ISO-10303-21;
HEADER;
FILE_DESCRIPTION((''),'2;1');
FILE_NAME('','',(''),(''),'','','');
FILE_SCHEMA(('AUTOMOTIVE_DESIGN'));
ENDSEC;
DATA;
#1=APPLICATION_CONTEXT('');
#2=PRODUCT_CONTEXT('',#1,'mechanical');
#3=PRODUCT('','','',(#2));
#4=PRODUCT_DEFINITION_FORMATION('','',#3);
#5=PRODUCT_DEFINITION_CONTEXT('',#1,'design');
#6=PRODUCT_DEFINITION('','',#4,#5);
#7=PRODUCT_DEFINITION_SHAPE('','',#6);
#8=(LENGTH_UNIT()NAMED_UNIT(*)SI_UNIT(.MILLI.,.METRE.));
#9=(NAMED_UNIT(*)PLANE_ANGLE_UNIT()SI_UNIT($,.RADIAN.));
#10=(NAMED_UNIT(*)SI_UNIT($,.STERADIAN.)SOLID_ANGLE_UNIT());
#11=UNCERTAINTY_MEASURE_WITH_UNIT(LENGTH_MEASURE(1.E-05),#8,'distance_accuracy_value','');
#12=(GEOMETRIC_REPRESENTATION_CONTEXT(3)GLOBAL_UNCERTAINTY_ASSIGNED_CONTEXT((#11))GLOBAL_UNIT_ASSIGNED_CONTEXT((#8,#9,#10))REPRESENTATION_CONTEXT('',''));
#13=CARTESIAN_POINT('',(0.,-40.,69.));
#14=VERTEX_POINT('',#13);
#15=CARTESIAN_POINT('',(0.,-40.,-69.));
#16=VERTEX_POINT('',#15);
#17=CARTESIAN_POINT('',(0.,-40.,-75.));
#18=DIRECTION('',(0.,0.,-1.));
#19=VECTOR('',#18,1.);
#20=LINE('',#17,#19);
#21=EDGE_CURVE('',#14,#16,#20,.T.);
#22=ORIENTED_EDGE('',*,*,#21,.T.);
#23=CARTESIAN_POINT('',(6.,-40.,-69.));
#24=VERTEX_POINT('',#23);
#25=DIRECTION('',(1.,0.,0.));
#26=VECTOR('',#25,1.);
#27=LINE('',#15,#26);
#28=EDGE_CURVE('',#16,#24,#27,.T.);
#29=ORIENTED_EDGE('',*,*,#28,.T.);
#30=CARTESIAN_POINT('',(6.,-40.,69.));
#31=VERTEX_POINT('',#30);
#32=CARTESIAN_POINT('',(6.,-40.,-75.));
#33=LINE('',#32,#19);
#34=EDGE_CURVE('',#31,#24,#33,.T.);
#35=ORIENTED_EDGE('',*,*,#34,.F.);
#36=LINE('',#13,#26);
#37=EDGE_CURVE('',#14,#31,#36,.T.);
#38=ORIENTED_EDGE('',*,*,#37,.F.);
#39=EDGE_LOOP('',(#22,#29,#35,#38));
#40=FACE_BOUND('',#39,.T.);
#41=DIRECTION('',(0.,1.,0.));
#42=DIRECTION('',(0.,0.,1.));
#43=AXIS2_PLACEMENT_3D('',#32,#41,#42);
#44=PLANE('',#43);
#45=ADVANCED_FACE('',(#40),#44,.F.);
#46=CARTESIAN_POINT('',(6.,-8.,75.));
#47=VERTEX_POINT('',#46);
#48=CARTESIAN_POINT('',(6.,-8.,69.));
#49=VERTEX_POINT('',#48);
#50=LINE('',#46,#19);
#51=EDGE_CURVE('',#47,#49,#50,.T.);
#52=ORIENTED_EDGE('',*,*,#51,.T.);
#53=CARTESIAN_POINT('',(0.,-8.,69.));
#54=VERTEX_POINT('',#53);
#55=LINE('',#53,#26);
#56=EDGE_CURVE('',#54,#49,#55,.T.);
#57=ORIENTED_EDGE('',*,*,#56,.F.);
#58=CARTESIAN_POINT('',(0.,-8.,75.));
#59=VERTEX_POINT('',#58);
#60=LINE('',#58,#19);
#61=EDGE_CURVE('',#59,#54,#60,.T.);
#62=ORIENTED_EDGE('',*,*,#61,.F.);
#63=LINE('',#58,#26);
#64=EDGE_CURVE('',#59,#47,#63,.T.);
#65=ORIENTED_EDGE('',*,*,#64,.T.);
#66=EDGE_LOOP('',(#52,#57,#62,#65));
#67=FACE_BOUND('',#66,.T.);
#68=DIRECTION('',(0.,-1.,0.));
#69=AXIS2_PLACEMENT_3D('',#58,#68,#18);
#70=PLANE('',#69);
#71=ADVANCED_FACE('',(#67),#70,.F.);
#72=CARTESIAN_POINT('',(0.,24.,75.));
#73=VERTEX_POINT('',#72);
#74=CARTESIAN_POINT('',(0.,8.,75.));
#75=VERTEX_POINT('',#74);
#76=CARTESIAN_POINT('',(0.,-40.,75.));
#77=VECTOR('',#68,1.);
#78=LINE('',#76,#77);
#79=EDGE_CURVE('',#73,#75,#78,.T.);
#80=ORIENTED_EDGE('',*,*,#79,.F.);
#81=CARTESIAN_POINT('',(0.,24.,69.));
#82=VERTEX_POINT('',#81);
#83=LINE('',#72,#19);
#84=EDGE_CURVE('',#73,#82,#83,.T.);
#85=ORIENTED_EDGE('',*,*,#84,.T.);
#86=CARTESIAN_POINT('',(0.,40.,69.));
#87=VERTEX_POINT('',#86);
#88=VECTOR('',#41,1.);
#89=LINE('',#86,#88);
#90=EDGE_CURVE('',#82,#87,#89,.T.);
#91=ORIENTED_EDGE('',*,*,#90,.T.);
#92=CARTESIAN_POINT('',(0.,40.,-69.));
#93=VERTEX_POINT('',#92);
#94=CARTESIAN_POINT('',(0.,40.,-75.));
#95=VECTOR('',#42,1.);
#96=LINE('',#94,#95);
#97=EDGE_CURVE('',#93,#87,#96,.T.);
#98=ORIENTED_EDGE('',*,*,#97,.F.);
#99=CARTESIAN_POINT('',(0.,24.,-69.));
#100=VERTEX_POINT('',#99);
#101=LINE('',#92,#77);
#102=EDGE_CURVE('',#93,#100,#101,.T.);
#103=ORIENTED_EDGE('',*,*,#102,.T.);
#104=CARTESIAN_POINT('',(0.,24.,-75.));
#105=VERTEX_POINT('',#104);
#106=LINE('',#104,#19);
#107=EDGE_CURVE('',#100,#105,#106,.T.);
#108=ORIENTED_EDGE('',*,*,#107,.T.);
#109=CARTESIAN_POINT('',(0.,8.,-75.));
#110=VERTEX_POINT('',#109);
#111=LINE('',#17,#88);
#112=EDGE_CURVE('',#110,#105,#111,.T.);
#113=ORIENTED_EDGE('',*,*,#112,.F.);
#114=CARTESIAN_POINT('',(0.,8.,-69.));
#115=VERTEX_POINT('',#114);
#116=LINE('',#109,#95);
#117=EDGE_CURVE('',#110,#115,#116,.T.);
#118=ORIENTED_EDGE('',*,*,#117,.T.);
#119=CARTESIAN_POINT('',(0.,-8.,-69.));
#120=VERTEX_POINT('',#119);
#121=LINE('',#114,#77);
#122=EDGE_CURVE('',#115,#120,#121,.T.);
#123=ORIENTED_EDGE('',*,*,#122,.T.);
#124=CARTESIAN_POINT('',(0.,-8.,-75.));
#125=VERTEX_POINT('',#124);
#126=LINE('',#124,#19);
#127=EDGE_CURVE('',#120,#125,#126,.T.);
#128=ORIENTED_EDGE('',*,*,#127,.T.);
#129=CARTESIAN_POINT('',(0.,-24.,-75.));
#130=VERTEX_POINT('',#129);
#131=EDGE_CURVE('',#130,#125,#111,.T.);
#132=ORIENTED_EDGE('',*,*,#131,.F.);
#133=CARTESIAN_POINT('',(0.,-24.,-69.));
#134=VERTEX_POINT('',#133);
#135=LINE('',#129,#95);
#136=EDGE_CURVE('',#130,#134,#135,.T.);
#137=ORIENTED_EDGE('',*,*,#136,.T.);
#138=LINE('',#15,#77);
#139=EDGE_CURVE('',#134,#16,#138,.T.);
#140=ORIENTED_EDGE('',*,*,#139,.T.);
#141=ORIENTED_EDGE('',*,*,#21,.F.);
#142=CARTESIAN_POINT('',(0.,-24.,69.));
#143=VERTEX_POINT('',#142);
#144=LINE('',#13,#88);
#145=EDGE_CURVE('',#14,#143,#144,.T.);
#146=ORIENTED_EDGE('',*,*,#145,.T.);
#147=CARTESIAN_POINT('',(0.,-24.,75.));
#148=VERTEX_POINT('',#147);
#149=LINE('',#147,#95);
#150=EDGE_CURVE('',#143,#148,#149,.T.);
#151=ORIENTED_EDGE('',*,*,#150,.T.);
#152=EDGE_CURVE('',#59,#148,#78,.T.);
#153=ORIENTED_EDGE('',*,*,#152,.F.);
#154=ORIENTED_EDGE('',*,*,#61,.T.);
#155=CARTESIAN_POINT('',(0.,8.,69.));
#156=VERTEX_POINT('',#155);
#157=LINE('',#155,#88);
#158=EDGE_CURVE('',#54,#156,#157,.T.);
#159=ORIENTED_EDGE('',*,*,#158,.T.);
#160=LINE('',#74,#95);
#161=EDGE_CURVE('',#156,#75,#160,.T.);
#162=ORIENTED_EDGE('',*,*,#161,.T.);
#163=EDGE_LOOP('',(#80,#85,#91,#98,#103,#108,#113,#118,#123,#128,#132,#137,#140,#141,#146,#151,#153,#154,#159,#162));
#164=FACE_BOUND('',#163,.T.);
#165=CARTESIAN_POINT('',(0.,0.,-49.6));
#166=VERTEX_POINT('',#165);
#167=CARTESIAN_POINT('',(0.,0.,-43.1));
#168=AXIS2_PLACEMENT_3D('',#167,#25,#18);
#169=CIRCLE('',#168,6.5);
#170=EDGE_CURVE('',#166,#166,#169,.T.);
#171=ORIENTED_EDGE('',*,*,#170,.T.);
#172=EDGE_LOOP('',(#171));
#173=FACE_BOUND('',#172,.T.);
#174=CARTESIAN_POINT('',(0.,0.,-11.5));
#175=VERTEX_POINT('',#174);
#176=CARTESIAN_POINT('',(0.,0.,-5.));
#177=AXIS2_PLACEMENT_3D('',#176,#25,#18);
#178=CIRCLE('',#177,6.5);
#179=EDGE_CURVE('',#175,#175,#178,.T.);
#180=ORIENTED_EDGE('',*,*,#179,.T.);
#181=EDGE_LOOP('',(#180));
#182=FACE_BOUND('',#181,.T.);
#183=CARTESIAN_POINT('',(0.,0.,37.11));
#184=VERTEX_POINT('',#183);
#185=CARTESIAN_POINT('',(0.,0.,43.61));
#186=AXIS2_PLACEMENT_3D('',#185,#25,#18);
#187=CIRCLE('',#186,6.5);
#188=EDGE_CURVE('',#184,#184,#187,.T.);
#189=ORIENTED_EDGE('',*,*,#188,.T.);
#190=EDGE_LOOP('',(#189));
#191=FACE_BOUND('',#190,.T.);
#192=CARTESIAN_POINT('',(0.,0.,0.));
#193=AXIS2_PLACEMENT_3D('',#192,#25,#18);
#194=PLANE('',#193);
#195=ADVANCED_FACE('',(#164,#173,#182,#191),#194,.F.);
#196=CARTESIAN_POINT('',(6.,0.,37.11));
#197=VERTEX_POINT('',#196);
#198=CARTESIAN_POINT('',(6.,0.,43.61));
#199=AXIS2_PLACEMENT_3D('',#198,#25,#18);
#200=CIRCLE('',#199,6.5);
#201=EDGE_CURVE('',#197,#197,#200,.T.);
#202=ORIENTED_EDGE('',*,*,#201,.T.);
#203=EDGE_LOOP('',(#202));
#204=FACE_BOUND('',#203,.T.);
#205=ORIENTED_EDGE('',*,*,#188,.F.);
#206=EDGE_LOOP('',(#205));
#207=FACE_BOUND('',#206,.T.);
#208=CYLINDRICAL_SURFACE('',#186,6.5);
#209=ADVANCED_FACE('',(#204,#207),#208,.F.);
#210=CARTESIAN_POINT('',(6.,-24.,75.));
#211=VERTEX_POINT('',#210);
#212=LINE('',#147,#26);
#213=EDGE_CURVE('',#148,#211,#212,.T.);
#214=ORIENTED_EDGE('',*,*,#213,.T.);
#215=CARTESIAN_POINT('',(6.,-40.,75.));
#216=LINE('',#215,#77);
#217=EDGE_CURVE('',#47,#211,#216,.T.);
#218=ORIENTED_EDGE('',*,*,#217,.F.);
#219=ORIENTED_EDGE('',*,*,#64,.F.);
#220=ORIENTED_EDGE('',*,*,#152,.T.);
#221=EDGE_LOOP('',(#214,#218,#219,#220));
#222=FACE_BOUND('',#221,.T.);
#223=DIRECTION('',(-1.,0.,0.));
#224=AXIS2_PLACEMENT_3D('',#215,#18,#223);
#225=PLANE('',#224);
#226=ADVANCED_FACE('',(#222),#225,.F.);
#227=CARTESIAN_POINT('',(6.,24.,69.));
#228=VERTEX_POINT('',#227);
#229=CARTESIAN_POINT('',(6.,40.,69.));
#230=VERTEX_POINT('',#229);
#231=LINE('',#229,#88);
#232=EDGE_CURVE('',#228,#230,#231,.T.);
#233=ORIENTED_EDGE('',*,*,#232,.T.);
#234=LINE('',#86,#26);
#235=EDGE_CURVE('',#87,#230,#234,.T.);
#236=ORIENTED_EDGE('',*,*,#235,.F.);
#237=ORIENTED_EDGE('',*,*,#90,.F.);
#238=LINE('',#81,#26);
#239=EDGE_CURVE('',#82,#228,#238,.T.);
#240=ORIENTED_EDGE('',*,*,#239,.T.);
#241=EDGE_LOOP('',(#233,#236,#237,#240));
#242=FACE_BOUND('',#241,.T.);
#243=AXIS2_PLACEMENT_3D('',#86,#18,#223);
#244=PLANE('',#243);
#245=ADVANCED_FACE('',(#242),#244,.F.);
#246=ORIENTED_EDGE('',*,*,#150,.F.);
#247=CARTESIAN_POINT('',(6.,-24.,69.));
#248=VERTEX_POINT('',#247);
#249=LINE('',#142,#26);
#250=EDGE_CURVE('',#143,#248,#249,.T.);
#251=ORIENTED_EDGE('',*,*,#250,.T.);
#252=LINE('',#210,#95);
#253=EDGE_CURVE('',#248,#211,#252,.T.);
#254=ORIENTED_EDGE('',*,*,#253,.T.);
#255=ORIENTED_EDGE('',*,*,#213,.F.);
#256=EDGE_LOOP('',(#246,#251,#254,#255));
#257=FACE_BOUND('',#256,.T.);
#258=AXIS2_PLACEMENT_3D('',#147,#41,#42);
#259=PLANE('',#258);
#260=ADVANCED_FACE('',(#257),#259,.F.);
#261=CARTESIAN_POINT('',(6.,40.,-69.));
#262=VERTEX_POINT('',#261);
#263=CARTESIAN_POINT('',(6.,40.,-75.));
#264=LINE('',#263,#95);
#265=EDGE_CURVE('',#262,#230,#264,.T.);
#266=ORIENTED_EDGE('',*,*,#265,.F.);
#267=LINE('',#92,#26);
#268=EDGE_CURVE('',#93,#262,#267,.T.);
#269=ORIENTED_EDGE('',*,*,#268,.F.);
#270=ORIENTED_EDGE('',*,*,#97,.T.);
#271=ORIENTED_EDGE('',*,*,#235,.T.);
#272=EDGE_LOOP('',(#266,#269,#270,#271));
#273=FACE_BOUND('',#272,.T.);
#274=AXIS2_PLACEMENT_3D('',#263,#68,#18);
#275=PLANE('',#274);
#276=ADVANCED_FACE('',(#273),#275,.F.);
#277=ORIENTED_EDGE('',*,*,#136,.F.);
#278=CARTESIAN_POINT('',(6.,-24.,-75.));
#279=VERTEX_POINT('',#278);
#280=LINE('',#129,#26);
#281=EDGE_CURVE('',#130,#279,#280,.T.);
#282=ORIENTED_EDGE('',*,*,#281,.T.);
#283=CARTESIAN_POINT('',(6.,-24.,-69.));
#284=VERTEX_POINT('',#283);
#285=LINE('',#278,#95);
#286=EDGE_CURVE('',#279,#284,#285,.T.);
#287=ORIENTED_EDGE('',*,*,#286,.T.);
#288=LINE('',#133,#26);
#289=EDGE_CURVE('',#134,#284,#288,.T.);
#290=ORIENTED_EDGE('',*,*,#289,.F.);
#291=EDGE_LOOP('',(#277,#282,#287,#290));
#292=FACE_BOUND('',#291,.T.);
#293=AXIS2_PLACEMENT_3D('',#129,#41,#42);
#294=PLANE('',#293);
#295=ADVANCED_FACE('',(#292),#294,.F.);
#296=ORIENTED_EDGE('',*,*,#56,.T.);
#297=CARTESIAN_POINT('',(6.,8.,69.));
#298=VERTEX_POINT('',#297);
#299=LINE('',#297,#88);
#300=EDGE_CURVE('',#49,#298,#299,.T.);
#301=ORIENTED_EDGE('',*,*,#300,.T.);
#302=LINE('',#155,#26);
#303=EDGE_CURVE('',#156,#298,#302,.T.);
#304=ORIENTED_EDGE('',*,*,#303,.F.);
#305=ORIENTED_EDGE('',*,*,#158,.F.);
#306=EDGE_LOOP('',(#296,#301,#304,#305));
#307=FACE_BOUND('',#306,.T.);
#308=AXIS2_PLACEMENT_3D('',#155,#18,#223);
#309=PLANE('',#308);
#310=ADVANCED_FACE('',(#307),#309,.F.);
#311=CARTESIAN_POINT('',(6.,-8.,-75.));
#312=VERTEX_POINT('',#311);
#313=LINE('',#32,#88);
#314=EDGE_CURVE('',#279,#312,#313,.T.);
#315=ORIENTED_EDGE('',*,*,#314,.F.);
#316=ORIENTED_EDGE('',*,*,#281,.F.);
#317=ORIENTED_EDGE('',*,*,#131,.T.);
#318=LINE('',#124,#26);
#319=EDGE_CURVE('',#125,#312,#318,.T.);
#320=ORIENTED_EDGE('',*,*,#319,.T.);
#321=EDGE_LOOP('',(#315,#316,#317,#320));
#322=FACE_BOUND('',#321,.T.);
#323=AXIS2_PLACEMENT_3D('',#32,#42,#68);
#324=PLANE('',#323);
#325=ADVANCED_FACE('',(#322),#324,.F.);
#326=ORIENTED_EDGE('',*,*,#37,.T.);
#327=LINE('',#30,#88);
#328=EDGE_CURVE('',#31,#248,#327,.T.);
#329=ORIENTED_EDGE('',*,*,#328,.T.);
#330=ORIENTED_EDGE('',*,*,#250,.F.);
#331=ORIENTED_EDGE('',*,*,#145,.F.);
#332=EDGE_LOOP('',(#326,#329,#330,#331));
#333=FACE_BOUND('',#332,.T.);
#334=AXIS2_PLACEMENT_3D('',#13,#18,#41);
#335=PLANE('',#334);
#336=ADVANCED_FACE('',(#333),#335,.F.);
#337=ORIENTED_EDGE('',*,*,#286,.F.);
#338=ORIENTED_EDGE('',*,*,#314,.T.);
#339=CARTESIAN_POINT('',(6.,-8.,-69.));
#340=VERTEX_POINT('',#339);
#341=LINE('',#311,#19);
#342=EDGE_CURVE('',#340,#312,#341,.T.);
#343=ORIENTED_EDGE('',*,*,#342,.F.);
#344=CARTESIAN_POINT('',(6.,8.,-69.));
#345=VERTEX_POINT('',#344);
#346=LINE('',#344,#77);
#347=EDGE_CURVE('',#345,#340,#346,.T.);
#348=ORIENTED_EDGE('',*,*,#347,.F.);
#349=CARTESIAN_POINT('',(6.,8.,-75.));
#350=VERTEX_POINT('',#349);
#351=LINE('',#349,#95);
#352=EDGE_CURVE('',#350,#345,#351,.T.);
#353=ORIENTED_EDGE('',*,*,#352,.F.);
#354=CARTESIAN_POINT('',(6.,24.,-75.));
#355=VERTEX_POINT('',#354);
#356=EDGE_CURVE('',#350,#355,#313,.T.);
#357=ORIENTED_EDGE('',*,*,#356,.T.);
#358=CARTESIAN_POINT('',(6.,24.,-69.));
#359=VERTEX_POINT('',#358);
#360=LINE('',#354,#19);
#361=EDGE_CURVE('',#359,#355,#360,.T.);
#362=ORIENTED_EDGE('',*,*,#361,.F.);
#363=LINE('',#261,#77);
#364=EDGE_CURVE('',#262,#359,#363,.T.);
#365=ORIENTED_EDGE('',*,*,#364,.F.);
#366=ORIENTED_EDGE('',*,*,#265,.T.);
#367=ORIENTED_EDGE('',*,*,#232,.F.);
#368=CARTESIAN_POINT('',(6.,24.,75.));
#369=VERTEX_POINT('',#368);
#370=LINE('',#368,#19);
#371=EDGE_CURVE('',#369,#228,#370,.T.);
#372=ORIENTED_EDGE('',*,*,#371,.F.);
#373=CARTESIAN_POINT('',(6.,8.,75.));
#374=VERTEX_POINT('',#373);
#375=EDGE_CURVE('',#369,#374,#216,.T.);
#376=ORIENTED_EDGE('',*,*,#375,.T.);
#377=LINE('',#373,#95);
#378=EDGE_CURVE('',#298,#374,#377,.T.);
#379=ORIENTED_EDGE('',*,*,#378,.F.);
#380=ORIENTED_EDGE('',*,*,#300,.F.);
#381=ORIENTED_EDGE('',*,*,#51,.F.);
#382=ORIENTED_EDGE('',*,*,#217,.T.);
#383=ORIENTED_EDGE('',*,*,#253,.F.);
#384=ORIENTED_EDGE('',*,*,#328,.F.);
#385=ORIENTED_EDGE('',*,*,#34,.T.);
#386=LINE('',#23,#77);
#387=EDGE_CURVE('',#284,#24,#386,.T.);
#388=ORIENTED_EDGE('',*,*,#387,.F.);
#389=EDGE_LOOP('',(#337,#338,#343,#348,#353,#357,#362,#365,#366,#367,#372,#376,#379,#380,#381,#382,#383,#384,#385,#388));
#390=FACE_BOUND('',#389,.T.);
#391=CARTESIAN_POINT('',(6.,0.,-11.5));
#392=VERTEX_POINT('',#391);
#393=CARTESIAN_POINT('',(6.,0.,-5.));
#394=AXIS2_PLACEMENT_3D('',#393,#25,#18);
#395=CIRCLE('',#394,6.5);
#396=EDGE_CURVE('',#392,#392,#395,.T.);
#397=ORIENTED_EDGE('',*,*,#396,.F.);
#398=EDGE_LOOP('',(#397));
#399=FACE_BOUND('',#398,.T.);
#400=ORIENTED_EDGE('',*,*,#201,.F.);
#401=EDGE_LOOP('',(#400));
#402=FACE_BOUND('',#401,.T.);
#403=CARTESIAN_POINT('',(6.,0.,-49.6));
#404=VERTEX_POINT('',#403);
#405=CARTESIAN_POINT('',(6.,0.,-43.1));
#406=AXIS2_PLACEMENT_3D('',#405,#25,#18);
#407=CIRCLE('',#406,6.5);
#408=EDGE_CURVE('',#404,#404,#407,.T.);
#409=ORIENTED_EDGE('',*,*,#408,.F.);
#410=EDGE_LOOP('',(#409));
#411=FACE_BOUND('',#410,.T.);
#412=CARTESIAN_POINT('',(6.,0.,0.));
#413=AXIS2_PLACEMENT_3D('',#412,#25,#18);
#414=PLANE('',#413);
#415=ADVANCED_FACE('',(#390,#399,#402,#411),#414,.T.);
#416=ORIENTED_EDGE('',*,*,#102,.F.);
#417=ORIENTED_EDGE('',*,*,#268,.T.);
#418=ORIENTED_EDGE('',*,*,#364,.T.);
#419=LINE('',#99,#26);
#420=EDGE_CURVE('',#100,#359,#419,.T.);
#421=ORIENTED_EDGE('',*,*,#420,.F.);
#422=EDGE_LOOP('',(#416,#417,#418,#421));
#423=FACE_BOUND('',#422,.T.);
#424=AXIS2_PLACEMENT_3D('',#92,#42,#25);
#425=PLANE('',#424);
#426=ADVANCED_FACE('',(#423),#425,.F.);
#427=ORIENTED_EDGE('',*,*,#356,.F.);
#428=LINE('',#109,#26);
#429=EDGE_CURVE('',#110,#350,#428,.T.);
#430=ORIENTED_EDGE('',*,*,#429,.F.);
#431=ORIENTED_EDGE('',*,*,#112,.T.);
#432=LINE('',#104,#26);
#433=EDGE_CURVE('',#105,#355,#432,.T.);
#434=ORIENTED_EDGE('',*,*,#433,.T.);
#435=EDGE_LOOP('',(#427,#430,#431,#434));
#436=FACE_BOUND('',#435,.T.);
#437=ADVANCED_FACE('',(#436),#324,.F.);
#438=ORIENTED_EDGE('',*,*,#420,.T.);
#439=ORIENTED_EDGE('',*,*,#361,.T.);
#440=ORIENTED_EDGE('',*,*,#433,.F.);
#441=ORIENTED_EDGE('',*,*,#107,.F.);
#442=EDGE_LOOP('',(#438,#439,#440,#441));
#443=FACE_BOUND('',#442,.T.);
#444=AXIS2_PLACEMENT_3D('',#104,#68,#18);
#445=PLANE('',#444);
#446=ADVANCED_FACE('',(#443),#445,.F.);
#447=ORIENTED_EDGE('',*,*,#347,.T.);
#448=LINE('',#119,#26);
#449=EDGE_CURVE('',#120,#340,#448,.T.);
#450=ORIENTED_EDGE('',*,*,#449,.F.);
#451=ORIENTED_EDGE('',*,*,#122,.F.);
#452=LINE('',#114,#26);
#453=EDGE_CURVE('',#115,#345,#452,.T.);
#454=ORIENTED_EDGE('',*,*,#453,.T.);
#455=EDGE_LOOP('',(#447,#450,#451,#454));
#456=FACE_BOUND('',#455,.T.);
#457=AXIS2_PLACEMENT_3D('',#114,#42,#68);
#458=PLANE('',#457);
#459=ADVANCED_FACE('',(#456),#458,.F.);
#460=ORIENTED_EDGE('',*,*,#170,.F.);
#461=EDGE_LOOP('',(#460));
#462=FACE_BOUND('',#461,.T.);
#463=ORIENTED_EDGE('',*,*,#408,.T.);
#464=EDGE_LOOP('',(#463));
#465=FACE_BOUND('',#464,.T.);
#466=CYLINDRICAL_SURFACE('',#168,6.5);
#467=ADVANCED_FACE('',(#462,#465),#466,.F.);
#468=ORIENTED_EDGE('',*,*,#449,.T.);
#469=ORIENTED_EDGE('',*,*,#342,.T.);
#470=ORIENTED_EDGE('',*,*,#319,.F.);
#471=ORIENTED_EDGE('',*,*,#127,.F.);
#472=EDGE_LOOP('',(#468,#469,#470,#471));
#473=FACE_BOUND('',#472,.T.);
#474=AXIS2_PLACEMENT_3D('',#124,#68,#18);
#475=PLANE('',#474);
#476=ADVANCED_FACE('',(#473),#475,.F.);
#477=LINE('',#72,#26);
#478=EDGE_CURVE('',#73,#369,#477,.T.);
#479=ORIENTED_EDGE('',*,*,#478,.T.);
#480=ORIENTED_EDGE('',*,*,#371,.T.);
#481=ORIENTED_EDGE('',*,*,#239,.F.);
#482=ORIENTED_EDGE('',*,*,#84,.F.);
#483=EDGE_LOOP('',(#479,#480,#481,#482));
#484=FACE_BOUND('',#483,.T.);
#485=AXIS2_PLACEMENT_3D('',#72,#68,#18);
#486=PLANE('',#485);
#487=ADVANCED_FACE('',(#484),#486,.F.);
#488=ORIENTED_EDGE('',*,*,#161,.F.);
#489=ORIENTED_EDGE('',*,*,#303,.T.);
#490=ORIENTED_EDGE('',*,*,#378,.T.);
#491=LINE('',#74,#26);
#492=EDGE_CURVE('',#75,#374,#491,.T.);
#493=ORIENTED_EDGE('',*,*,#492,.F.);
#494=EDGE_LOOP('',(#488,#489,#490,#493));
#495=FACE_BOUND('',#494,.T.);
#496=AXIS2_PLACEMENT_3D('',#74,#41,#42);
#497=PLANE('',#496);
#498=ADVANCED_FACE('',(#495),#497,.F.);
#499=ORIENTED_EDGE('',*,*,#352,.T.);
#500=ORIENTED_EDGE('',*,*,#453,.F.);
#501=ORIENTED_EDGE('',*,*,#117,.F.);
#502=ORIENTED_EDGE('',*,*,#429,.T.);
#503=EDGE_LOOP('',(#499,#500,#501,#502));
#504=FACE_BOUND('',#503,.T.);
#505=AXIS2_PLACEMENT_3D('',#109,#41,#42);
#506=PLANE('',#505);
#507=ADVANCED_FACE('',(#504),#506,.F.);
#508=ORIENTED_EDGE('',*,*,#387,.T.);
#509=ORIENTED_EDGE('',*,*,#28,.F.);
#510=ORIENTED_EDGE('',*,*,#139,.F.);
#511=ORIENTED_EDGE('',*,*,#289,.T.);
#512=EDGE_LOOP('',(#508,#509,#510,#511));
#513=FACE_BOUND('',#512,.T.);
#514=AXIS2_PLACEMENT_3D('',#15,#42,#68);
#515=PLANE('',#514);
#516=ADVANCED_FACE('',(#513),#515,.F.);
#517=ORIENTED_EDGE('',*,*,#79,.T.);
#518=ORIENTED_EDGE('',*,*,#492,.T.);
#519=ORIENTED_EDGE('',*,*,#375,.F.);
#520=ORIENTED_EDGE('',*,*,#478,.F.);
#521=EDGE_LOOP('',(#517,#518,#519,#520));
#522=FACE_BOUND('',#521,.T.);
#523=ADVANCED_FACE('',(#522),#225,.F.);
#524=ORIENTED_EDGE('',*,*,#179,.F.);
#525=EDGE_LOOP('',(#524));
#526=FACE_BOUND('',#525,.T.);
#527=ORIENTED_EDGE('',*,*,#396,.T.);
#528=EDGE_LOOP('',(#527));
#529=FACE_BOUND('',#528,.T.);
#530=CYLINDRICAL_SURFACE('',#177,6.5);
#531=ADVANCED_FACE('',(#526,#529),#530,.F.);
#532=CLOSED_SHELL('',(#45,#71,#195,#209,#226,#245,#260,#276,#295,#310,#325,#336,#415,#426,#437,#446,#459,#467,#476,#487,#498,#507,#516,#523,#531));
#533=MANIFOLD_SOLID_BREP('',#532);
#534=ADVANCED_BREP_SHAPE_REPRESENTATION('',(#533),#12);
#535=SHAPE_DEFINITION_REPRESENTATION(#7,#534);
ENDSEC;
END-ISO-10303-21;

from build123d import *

# Parameters (mm, degrees)
CROQUIS1_W              = 150
CROQUIS1_H              = 80
SALIENTE_EXTRUIR1_DEPTH = 6
CROQUIS2_R              = 6.5
CORTAR_EXTRUIR1_DEPTH   = 6
CROQUIS3_W              = 6
CROQUIS3_H              = 16
CORTAR_EXTRUIR2_DEPTH   = 6


with BuildPart() as part:
    # Croquis1 → Saliente-Extruir1 (new body)
    with BuildSketch(Plane(origin=(0, 0, 0), x_dir=(0, 0, -1), z_dir=(1, 0, 0))):
        Rectangle(CROQUIS1_W, CROQUIS1_H)
    extrude(amount=SALIENTE_EXTRUIR1_DEPTH)

    # Croquis2 → Cortar-Extruir1 (cut)
    with BuildSketch(Plane(origin=(6, 0, 0), x_dir=(0, 0, -1), z_dir=(1, 0, 0))):
        with Locations((-43.61, 0)):
            Circle(CROQUIS2_R)
        with Locations((5, 0)):
            Circle(CROQUIS2_R)
        with Locations((43.1, 0)):
            Circle(CROQUIS2_R)
    extrude(amount=-CORTAR_EXTRUIR1_DEPTH, mode=Mode.SUBTRACT)

    # Croquis3 → Cortar-Extruir2 (cut)
    with BuildSketch(Plane(origin=(6, 0, 0), x_dir=(0, 0, -1), z_dir=(1, 0, 0))):
        with Locations((-72, 32)):
            Rectangle(CROQUIS3_W, CROQUIS3_H)
        with Locations((-72, -32)):
            Rectangle(CROQUIS3_W, CROQUIS3_H)
        with Locations((72, -32)):
            Rectangle(CROQUIS3_W, CROQUIS3_H)
        with Locations((72, 32)):
            Rectangle(CROQUIS3_W, CROQUIS3_H)
        with Locations((72, 0)):
            Rectangle(CROQUIS3_W, CROQUIS3_H)
        with Locations((-72, 0)):
            Rectangle(CROQUIS3_W, CROQUIS3_H)
    extrude(amount=-CORTAR_EXTRUIR2_DEPTH, mode=Mode.SUBTRACT)


solid = part.part
